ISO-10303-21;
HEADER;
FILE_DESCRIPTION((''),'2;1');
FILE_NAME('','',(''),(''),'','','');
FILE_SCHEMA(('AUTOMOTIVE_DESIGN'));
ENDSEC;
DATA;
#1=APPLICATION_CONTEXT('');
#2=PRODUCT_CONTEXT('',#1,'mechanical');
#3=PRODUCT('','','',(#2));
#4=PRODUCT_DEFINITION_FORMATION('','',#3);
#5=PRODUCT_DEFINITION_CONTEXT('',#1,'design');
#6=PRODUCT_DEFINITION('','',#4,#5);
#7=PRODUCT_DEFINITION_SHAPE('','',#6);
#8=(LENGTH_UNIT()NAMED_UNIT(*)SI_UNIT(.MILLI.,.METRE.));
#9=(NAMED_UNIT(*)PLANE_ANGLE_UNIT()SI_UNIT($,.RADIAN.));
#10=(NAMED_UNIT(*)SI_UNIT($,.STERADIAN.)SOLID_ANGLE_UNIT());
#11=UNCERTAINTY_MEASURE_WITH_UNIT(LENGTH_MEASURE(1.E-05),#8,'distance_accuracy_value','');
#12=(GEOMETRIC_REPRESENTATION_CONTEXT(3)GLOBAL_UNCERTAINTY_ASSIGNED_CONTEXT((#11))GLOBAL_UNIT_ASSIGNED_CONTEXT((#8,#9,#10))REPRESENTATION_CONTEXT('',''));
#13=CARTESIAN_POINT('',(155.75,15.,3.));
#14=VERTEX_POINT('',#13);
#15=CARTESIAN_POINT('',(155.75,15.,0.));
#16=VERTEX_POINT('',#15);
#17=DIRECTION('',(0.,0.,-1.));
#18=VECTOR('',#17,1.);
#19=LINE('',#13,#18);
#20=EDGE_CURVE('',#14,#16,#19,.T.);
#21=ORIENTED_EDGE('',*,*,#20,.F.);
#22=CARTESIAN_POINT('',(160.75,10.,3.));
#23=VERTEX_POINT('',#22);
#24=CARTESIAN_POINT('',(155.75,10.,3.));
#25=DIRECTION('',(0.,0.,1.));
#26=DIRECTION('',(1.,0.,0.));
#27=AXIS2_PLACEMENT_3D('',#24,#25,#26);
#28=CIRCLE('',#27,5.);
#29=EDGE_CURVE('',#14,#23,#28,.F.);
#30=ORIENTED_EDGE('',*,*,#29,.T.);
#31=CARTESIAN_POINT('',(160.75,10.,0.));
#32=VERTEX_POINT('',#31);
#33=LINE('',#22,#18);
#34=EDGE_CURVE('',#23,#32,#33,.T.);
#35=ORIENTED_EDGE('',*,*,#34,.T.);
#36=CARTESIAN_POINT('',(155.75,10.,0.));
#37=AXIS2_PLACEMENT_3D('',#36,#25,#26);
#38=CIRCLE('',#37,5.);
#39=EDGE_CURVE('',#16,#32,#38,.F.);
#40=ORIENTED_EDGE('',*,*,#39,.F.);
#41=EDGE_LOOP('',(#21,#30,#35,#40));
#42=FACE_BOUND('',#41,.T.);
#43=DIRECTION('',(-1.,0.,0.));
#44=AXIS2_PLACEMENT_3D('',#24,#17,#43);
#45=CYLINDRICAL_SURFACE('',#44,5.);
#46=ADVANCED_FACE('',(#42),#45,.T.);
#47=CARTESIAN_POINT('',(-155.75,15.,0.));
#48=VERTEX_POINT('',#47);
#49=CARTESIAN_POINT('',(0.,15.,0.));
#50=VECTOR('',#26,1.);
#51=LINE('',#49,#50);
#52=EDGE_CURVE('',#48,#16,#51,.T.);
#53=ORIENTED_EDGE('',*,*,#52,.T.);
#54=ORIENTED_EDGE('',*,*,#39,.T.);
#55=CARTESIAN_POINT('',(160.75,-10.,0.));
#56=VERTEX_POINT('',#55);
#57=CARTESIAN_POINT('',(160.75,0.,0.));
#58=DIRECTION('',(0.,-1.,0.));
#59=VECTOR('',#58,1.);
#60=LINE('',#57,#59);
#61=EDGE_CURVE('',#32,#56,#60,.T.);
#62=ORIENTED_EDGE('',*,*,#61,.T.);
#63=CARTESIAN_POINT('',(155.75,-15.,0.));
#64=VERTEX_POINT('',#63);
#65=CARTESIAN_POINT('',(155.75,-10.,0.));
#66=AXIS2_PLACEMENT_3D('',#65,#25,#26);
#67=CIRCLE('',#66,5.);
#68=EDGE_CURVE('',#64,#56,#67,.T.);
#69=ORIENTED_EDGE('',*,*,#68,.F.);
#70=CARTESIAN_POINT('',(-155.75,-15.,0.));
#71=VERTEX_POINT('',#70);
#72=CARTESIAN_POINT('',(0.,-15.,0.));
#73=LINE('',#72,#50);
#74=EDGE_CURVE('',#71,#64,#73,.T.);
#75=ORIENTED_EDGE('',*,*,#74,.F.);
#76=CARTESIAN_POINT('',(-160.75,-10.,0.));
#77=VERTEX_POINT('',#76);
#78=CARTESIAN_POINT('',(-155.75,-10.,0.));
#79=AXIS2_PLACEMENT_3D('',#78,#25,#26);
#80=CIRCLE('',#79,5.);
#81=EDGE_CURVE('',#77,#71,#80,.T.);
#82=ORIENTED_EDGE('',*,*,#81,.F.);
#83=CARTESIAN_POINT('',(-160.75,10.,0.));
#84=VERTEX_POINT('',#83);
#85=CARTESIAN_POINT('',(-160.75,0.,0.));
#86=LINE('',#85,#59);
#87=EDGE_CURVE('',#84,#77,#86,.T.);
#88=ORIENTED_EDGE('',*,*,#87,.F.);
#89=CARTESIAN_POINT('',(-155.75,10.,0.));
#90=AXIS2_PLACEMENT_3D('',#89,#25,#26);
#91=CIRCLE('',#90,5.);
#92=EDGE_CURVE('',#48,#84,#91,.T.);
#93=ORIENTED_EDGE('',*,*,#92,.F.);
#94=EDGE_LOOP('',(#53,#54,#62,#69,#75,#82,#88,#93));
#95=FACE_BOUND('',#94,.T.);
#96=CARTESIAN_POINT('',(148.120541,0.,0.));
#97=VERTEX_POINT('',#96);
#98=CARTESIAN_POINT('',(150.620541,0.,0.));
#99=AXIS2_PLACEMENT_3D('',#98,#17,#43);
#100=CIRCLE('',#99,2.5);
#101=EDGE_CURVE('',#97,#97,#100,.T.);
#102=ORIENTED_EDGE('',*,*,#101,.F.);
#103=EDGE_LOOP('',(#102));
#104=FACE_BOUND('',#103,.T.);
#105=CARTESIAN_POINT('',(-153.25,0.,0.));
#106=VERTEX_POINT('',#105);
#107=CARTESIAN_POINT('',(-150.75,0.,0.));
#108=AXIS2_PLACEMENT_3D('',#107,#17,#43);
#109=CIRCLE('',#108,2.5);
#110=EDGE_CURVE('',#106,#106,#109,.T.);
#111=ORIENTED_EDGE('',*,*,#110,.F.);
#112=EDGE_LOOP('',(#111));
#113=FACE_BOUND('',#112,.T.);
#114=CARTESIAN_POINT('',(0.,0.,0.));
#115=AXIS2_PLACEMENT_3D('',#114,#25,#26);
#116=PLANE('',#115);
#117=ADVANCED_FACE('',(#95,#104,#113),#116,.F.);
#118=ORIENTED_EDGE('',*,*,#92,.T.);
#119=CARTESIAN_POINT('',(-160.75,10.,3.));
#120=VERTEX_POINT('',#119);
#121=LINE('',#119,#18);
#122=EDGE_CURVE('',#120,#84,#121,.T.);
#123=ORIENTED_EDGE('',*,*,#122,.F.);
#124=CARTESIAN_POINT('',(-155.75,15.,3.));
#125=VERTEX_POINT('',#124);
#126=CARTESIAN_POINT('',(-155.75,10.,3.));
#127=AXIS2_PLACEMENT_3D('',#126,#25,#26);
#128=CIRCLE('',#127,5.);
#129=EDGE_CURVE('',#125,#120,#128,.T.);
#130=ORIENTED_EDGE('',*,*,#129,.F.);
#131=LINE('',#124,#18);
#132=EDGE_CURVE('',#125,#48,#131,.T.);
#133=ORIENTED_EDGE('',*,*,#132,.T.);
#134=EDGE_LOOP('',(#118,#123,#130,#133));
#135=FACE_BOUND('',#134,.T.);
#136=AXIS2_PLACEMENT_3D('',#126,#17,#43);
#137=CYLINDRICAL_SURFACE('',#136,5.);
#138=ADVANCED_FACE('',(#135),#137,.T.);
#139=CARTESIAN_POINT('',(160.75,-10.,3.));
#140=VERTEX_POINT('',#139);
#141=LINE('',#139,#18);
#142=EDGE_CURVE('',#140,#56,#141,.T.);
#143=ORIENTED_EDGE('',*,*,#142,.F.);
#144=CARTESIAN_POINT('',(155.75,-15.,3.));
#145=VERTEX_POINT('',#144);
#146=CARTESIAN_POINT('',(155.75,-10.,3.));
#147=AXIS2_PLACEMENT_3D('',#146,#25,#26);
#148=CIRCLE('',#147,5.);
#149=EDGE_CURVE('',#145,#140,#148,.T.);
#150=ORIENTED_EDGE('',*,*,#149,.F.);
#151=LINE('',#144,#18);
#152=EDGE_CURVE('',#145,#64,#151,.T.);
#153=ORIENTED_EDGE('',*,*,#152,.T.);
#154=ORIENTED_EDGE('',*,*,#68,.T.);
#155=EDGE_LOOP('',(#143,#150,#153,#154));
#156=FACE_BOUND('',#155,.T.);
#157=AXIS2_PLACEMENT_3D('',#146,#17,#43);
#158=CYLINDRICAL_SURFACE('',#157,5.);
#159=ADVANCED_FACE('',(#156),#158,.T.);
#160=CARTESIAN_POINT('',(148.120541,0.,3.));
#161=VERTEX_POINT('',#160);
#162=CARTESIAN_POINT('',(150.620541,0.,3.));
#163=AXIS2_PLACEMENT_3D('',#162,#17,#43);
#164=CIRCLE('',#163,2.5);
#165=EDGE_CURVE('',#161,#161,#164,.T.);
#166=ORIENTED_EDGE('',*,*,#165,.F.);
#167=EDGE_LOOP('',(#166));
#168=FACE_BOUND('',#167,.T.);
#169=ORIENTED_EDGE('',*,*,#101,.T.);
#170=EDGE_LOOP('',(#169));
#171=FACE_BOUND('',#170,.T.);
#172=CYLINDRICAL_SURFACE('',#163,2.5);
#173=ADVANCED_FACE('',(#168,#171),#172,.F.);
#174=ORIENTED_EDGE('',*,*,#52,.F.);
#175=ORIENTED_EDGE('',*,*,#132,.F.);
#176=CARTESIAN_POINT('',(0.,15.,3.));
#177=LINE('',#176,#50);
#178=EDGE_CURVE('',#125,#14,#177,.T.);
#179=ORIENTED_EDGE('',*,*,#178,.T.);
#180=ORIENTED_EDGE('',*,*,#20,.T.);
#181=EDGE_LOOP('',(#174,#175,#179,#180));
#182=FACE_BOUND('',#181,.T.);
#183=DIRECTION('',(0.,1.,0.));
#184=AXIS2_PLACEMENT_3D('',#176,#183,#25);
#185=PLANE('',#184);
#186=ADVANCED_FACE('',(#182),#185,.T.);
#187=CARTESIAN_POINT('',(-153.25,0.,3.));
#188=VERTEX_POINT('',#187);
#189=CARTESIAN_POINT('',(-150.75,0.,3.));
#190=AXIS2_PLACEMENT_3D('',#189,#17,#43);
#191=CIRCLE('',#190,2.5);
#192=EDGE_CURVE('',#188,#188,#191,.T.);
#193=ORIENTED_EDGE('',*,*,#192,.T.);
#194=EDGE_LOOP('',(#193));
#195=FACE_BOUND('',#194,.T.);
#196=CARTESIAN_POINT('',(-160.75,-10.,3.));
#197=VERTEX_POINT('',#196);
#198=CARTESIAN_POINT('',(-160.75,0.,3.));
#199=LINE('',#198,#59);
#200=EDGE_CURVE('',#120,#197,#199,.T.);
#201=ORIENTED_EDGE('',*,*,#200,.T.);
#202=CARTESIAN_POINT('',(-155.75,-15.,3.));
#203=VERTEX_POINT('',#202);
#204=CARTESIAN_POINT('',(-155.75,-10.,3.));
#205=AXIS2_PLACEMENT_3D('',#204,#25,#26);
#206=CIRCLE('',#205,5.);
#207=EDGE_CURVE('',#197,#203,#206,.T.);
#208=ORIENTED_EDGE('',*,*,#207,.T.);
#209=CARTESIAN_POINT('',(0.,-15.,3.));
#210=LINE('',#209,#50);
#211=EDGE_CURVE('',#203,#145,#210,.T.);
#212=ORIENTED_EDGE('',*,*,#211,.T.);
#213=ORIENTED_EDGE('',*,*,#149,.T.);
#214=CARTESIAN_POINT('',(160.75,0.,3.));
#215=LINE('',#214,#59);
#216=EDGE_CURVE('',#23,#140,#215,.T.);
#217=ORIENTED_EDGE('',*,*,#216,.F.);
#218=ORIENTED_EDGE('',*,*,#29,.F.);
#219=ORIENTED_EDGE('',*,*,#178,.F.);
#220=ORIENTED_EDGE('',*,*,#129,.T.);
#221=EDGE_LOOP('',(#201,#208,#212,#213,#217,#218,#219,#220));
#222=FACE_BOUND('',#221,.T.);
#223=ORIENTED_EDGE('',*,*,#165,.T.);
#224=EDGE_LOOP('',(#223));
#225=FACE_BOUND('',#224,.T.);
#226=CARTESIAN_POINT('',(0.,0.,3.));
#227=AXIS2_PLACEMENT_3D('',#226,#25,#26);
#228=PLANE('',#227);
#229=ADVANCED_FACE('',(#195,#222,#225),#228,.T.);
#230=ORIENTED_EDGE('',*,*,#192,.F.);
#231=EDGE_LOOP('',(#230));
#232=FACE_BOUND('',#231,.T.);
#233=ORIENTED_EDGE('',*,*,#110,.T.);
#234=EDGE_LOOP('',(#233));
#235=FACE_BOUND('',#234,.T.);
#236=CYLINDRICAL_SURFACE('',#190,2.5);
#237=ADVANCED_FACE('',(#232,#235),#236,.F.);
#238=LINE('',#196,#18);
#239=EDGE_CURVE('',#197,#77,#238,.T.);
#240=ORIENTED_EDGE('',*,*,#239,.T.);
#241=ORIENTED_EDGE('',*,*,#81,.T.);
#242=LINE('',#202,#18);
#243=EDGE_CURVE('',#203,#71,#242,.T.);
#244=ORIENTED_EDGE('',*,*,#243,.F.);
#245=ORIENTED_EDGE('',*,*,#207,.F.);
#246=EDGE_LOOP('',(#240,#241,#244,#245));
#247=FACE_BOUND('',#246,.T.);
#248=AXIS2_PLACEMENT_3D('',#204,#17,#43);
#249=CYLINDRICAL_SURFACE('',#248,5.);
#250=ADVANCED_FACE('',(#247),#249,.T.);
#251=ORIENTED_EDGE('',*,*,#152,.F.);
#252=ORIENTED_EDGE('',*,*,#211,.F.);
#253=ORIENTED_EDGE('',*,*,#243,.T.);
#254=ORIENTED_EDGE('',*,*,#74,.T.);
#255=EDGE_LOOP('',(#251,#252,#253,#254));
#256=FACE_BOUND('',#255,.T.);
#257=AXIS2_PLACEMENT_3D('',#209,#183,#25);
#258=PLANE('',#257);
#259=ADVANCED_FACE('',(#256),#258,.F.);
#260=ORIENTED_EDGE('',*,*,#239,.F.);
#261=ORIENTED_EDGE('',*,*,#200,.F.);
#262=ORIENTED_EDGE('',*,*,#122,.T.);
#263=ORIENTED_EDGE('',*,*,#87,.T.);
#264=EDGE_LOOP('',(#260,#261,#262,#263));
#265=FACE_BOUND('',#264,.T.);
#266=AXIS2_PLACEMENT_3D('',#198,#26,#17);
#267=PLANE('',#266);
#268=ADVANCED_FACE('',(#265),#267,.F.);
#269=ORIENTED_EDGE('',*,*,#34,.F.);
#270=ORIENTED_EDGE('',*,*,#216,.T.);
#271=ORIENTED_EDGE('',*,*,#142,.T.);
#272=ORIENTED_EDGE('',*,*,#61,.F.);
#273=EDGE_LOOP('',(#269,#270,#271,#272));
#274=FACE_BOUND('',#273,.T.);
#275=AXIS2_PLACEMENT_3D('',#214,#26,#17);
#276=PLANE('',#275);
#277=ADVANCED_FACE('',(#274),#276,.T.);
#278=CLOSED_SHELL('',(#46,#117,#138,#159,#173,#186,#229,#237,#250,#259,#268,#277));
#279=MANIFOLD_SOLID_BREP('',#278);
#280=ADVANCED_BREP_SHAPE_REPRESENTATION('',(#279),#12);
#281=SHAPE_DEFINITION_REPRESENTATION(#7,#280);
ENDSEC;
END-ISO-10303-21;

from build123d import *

# Parameters (mm, degrees)
BOSS_EXTRUDE1_DEPTH = 3
SKETCH2_R           = 2.5
CUT_EXTRUDE1_DEPTH  = 4


with BuildPart() as part:
    # Sketch1 → Boss-Extrude1 (new body)
    with BuildSketch(Plane.XY):
        with BuildLine():
            Line((155.75, 15), (0, 15))
            Line((0, 15), (0, 0))
            Line((0, 0), (160.75, 0))
            Line((160.75, 0), (160.75, 10))
            ThreePointArc((160.75, 10), (159.285533906, 13.535533906), (155.75, 15))
        make_face()
        with BuildLine():
            Line((0, 15), (-155.75, 15))
            ThreePointArc((-155.75, 15), (-159.285533906, 13.535533906), (-160.75, 10))
            Line((-160.75, 10), (-160.75, 0))
            Line((-160.75, 0), (0, 0))
            Line((0, 0), (0, 15))
        make_face()
        with BuildLine():
            Line((0, -15), (0, 0))
            Line((0, 0), (-160.75, 0))
            Line((-160.75, 0), (-160.75, -10))
            ThreePointArc((-160.75, -10), (-159.285533906, -13.535533906), (-155.75, -15))
            Line((-155.75, -15), (0, -15))
        make_face()
        with BuildLine():
            Line((160.75, 0), (0, 0))
            Line((0, 0), (0, -15))
            Line((0, -15), (155.75, -15))
            ThreePointArc((155.75, -15), (159.285533906, -13.535533906), (160.75, -10))
            Line((160.75, -10), (160.75, 0))
        make_face()
    extrude(amount=BOSS_EXTRUDE1_DEPTH)

    # Sketch2 → Cut-Extrude1 (cut, through all)
    with BuildSketch(Plane(origin=(0, 0, 0), x_dir=(-1, 0, 0), z_dir=(0, 0, -1))):
        with BuildLine():
            ThreePointArc((-153.120541102, 0), (-150.620541102, -2.5), (-148.120541102, 0))
            Line((-148.120541102, 0), (-153.120541102, 0))
        make_face()
        with BuildLine():
            Line((-153.120541102, 0), (-148.120541102, 0))
            ThreePointArc((-148.120541102, 0), (-150.620541102, 2.5), (-153.120541102, 0))
        make_face()
        with Locations((150.75, 0)):
            Circle(SKETCH2_R)
    extrude(amount=-CUT_EXTRUDE1_DEPTH, mode=Mode.SUBTRACT)


solid = part.part
